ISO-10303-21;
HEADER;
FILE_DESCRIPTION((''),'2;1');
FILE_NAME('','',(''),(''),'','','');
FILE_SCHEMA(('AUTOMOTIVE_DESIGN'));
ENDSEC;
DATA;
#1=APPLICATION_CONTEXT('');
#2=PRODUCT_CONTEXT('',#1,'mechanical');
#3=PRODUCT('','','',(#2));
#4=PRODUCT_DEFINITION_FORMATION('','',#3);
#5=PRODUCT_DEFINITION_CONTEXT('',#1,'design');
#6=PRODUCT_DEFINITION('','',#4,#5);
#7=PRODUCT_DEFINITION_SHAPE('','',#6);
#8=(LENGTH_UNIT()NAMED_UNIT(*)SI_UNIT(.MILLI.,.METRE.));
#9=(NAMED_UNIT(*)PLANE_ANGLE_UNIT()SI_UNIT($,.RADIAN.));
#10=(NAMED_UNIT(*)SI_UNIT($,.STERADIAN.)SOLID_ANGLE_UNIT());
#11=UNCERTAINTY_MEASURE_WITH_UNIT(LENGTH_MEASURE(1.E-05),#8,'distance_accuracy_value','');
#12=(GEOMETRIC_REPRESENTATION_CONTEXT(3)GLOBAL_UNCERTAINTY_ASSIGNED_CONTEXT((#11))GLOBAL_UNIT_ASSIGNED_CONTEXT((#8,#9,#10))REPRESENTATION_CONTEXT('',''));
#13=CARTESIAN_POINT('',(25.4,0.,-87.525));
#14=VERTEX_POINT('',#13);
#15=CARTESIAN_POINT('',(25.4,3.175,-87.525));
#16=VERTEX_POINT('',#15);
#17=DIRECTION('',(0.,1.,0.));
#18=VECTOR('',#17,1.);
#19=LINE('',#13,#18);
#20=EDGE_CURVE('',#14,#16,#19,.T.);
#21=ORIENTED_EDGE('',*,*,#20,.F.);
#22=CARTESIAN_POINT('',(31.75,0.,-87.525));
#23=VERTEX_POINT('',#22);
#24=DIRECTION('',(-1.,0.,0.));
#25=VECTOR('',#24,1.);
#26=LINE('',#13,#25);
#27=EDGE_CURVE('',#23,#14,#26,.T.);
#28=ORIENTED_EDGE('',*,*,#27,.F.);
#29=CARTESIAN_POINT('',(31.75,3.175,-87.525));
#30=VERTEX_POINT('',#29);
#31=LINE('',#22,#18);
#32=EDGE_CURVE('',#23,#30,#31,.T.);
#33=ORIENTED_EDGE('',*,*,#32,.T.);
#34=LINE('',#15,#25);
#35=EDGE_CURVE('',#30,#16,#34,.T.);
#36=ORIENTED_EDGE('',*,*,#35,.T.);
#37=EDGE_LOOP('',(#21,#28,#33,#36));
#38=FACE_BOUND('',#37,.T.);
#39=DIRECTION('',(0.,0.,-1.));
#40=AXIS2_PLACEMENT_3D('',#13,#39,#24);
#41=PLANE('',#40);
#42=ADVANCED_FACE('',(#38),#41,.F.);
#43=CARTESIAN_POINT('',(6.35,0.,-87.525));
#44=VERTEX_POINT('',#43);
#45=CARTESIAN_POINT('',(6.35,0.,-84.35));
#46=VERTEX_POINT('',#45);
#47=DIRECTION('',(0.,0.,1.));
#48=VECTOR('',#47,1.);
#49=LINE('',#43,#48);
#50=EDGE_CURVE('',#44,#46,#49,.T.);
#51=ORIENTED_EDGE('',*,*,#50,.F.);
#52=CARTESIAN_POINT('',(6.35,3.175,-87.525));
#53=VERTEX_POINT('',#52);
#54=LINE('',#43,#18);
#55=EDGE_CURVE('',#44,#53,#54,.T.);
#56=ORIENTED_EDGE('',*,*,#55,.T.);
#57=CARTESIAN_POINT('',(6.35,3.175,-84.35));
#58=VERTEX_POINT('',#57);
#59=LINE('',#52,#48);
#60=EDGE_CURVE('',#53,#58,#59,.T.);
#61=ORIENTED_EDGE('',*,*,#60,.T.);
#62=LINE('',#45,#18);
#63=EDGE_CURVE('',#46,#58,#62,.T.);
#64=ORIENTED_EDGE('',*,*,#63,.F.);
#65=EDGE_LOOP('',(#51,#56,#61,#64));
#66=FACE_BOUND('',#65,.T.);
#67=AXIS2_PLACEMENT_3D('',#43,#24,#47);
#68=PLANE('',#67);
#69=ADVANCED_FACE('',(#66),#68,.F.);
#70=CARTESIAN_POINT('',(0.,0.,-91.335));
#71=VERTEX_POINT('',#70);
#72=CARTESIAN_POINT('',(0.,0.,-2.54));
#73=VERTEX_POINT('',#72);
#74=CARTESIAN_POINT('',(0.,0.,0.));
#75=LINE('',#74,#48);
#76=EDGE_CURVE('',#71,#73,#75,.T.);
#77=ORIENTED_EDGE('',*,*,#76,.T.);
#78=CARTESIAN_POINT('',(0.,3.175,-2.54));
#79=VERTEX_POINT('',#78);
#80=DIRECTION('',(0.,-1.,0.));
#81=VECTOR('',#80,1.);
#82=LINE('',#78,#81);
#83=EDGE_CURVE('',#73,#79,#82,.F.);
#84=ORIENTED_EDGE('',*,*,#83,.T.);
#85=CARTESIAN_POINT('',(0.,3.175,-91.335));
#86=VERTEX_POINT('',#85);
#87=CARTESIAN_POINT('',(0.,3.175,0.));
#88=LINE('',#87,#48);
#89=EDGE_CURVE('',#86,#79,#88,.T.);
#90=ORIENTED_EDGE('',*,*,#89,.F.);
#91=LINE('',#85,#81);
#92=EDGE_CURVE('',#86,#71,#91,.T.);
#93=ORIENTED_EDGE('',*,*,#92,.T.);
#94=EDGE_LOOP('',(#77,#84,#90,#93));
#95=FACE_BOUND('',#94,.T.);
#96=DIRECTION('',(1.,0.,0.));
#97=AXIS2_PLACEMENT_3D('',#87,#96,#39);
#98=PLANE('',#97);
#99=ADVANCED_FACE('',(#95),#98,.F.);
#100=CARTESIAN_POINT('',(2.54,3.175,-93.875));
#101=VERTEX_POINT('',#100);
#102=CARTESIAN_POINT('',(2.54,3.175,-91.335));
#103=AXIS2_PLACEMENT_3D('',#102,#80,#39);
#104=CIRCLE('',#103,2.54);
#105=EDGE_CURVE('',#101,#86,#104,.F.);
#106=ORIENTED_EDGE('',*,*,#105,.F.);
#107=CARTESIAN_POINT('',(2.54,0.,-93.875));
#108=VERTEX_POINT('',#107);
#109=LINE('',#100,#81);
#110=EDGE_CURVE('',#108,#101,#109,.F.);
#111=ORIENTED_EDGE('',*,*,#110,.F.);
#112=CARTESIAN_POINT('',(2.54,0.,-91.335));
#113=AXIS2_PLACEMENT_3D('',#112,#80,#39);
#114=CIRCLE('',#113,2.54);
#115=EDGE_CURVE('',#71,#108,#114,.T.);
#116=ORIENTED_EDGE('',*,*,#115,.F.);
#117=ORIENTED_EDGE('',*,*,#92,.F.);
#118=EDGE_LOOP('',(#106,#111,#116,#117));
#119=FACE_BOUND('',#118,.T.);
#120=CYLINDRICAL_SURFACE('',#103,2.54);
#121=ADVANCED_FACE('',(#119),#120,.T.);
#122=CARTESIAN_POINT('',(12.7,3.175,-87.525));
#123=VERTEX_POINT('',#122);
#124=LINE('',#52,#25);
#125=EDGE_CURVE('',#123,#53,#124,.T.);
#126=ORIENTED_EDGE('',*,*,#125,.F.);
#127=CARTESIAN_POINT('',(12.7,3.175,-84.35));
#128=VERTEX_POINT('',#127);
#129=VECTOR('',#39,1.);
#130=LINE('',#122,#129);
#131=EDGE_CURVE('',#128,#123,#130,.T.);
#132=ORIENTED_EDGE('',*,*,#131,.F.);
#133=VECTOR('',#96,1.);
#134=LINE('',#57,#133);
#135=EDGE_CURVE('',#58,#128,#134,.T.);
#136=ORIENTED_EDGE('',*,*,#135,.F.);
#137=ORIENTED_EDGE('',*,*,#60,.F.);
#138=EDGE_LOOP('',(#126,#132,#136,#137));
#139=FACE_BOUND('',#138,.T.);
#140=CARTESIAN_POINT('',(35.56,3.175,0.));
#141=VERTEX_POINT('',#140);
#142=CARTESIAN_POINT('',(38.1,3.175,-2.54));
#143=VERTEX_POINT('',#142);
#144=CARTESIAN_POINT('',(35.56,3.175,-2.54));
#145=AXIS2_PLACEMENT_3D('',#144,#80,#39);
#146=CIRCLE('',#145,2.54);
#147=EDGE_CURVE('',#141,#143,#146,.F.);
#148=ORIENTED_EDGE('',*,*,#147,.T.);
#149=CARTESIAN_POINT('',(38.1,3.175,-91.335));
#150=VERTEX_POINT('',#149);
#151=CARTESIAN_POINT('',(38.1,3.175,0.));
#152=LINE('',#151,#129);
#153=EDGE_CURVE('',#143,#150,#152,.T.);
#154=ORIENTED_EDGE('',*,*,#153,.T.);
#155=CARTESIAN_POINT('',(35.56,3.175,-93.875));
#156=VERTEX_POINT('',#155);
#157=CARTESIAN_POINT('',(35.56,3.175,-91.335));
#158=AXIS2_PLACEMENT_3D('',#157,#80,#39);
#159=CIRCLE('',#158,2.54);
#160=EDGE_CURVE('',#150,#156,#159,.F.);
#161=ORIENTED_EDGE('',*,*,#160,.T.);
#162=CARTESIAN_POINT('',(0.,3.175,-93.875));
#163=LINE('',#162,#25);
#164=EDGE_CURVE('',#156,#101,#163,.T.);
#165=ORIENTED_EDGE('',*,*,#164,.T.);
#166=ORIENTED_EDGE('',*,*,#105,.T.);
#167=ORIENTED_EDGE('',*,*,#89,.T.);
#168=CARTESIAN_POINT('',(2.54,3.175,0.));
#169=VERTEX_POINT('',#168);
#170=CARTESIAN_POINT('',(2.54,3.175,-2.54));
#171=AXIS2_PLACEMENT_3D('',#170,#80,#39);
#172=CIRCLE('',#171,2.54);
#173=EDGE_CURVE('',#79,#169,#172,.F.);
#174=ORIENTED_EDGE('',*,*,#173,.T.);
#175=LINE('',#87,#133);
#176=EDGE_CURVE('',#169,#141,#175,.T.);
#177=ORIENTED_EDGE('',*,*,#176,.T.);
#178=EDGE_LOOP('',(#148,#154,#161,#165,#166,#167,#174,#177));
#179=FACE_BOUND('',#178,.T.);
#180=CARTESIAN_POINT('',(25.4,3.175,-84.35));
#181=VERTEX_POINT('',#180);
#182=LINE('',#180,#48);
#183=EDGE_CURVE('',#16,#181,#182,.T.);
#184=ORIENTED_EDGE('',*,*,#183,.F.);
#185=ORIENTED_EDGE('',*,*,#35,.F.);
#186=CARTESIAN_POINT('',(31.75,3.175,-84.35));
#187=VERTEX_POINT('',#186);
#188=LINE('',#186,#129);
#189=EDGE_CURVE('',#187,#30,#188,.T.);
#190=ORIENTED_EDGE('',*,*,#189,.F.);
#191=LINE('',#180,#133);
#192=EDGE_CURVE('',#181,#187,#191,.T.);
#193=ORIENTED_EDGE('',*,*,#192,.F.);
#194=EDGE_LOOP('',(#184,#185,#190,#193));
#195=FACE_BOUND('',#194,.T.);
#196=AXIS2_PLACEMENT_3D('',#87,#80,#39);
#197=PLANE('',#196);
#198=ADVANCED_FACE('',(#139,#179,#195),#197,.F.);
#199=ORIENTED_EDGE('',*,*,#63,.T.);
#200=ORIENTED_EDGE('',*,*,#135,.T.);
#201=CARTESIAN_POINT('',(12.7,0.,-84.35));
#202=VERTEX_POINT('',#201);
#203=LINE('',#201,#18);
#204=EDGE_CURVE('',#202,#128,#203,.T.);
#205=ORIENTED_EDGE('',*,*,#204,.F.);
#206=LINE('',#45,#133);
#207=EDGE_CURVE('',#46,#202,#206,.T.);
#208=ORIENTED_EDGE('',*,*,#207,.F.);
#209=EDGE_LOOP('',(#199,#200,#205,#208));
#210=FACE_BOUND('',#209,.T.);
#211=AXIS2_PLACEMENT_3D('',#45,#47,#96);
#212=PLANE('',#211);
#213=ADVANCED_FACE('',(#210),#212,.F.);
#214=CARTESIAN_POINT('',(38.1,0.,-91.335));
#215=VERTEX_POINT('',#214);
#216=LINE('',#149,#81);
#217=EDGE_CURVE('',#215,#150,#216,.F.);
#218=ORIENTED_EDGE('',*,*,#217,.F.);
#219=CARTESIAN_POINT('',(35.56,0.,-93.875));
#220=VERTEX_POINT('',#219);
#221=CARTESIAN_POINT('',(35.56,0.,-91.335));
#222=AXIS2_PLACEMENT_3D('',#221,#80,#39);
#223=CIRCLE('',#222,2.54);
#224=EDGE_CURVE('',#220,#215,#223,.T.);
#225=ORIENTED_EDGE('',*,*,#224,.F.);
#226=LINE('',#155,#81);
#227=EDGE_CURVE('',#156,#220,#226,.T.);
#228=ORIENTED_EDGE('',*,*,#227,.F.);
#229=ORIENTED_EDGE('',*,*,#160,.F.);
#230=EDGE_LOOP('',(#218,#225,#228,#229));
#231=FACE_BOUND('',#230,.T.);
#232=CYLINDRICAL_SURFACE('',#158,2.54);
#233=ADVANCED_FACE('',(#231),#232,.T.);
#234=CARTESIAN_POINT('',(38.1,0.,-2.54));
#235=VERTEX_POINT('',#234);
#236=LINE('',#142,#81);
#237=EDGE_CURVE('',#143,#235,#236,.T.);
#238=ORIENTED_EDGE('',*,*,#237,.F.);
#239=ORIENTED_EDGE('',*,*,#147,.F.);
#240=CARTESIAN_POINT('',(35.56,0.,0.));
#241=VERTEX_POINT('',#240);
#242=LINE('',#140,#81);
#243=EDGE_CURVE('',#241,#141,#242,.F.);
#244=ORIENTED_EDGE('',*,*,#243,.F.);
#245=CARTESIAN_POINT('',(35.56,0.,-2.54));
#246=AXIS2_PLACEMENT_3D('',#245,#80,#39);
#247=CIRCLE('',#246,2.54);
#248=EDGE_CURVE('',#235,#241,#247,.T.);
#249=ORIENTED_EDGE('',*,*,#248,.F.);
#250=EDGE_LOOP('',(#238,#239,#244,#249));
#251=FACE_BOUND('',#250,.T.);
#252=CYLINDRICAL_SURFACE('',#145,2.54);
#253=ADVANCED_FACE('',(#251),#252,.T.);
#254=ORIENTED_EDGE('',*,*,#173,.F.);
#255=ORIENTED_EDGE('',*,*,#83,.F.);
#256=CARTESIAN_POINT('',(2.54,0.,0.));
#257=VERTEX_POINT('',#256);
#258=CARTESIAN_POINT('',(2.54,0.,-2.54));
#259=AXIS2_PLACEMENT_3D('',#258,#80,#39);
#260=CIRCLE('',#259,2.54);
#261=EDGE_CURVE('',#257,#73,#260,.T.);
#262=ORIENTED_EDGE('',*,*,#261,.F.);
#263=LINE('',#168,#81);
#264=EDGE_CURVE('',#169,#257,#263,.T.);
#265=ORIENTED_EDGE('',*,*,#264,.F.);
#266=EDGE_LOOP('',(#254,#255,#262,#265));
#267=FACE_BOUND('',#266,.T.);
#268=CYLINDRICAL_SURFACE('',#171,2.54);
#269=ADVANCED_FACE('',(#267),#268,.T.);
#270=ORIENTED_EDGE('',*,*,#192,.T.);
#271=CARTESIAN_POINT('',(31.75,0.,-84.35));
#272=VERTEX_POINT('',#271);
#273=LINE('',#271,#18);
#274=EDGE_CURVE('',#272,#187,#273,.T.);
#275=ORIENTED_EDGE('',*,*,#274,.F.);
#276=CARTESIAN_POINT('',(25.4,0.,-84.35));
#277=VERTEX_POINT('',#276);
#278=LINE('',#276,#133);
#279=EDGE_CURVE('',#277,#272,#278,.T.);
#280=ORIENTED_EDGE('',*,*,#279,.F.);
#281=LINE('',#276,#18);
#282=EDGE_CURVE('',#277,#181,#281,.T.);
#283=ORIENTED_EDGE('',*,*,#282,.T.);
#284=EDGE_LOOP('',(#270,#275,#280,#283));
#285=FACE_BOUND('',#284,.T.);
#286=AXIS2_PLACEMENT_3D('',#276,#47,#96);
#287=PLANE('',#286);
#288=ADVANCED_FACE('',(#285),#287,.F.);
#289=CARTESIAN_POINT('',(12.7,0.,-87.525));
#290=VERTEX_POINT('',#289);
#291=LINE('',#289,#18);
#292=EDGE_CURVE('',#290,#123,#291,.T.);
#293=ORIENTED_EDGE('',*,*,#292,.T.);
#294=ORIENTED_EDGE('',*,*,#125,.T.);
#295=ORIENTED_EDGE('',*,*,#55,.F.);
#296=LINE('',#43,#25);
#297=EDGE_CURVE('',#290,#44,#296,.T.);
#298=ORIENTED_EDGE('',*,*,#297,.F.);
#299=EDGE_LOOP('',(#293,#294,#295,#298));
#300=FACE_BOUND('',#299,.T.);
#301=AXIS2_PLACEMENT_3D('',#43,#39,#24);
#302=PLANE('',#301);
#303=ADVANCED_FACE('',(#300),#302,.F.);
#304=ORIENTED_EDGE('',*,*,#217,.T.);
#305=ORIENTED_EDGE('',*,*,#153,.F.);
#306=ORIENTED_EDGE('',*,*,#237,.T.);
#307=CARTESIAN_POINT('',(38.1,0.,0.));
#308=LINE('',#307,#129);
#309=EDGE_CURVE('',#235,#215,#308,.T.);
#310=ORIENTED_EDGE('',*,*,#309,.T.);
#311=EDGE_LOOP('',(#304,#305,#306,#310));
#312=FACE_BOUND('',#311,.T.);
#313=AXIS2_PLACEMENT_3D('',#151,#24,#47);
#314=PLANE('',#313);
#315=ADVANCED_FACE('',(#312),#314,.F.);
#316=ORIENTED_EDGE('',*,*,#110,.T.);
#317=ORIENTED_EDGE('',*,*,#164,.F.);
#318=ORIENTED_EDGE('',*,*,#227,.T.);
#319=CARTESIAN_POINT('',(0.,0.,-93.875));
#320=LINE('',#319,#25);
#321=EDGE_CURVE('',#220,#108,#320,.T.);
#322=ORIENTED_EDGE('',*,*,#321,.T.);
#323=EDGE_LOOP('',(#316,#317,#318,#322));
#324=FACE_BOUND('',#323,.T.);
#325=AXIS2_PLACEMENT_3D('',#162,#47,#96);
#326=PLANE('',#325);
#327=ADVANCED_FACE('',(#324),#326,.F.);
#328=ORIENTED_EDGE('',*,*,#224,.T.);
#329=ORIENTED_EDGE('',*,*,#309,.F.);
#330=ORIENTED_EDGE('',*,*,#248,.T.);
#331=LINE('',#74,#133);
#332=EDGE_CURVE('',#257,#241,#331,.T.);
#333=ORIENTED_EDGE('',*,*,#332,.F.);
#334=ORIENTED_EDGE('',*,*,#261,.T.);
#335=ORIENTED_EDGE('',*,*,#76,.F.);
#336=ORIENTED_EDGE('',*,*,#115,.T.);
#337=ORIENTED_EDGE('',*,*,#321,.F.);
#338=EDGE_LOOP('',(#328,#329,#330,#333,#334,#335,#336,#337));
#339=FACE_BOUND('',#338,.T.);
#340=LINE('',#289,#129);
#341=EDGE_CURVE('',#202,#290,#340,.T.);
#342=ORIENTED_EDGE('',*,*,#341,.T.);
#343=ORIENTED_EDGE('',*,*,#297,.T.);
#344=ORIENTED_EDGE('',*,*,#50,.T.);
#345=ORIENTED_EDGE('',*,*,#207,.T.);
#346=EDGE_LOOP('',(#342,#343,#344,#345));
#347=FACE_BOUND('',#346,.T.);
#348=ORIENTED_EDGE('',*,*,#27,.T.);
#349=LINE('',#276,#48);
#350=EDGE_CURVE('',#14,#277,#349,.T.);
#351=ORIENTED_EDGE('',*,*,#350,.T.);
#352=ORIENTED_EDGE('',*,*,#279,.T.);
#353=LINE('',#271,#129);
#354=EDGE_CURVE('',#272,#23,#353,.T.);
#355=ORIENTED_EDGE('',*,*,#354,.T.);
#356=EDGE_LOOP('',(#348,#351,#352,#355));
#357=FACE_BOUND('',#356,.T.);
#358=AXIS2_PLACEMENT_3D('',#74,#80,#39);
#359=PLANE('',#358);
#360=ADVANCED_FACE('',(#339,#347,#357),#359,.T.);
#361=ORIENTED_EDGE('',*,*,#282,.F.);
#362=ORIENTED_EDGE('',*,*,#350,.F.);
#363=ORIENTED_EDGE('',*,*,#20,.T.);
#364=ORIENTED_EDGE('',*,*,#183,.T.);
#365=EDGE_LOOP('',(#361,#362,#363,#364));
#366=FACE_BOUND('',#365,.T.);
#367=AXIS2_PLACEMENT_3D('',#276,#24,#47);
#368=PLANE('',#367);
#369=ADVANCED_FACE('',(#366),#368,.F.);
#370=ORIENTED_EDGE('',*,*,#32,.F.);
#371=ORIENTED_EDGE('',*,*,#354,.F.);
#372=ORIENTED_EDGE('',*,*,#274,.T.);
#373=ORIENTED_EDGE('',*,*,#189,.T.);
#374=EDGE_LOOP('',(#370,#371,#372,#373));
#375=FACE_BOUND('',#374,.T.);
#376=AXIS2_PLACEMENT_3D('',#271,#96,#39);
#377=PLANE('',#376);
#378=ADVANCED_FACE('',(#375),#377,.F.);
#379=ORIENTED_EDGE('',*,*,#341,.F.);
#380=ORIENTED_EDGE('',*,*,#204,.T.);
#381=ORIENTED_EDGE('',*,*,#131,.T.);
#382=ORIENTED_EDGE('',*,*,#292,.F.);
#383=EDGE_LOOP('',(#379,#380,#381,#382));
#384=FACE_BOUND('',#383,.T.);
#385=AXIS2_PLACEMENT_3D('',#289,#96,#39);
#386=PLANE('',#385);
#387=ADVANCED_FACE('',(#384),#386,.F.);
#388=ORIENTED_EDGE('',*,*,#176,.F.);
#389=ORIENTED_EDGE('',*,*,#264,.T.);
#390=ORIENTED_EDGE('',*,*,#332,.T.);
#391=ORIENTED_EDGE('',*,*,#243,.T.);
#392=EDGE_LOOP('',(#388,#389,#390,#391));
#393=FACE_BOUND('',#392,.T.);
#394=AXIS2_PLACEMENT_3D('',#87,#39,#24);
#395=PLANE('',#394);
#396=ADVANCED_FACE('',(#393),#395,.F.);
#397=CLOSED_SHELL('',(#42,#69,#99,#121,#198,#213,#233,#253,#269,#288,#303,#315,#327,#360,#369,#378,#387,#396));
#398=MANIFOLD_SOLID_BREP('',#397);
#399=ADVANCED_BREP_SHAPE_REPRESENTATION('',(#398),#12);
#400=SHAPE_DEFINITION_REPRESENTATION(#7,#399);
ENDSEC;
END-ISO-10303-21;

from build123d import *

# Parameters (mm, degrees)
SKETCH1_W           = 38.1
SKETCH1_H           = 93.875
BOSS_EXTRUDE1_DEPTH = 3.175
SKETCH2_W           = 6.35
SKETCH2_H           = 3.175
CUT_EXTRUDE1_DEPTH  = 102.361759308
FILLET1_R           = 2.54


with BuildPart() as part:
    # Sketch1 → Boss-Extrude1 (new body)
    with BuildSketch(Plane(origin=(0, 0, 0), x_dir=(1, 0, 0), z_dir=(0, 1, 0))):
        with Locations((19.05, 46.9375)):
            Rectangle(SKETCH1_W, SKETCH1_H)
    extrude(amount=BOSS_EXTRUDE1_DEPTH)

    # Sketch2 → Cut-Extrude1 (cut, through all)
    with BuildSketch(Plane(origin=(0, 3.175, 0), x_dir=(1, 0, 0), z_dir=(0, 1, 0))):
        with Locations((9.525, 85.9375)):
            Rectangle(SKETCH2_W, SKETCH2_H)
        with Locations((28.575, 85.9375)):
            Rectangle(SKETCH2_W, SKETCH2_H)
    extrude(amount=-CUT_EXTRUDE1_DEPTH, mode=Mode.SUBTRACT)

    # Fillet1
    fillet1_edges = [part.edges().sort_by_distance(p)[0] for p in [
        (0, 1.5875, -93.875),
        (38.1, 1.5875, -93.875),
        (38.1, 1.5875, 0),
        (0, 1.5875, 0),
    ]]
    fillet(fillet1_edges, radius=FILLET1_R)


solid = part.part
